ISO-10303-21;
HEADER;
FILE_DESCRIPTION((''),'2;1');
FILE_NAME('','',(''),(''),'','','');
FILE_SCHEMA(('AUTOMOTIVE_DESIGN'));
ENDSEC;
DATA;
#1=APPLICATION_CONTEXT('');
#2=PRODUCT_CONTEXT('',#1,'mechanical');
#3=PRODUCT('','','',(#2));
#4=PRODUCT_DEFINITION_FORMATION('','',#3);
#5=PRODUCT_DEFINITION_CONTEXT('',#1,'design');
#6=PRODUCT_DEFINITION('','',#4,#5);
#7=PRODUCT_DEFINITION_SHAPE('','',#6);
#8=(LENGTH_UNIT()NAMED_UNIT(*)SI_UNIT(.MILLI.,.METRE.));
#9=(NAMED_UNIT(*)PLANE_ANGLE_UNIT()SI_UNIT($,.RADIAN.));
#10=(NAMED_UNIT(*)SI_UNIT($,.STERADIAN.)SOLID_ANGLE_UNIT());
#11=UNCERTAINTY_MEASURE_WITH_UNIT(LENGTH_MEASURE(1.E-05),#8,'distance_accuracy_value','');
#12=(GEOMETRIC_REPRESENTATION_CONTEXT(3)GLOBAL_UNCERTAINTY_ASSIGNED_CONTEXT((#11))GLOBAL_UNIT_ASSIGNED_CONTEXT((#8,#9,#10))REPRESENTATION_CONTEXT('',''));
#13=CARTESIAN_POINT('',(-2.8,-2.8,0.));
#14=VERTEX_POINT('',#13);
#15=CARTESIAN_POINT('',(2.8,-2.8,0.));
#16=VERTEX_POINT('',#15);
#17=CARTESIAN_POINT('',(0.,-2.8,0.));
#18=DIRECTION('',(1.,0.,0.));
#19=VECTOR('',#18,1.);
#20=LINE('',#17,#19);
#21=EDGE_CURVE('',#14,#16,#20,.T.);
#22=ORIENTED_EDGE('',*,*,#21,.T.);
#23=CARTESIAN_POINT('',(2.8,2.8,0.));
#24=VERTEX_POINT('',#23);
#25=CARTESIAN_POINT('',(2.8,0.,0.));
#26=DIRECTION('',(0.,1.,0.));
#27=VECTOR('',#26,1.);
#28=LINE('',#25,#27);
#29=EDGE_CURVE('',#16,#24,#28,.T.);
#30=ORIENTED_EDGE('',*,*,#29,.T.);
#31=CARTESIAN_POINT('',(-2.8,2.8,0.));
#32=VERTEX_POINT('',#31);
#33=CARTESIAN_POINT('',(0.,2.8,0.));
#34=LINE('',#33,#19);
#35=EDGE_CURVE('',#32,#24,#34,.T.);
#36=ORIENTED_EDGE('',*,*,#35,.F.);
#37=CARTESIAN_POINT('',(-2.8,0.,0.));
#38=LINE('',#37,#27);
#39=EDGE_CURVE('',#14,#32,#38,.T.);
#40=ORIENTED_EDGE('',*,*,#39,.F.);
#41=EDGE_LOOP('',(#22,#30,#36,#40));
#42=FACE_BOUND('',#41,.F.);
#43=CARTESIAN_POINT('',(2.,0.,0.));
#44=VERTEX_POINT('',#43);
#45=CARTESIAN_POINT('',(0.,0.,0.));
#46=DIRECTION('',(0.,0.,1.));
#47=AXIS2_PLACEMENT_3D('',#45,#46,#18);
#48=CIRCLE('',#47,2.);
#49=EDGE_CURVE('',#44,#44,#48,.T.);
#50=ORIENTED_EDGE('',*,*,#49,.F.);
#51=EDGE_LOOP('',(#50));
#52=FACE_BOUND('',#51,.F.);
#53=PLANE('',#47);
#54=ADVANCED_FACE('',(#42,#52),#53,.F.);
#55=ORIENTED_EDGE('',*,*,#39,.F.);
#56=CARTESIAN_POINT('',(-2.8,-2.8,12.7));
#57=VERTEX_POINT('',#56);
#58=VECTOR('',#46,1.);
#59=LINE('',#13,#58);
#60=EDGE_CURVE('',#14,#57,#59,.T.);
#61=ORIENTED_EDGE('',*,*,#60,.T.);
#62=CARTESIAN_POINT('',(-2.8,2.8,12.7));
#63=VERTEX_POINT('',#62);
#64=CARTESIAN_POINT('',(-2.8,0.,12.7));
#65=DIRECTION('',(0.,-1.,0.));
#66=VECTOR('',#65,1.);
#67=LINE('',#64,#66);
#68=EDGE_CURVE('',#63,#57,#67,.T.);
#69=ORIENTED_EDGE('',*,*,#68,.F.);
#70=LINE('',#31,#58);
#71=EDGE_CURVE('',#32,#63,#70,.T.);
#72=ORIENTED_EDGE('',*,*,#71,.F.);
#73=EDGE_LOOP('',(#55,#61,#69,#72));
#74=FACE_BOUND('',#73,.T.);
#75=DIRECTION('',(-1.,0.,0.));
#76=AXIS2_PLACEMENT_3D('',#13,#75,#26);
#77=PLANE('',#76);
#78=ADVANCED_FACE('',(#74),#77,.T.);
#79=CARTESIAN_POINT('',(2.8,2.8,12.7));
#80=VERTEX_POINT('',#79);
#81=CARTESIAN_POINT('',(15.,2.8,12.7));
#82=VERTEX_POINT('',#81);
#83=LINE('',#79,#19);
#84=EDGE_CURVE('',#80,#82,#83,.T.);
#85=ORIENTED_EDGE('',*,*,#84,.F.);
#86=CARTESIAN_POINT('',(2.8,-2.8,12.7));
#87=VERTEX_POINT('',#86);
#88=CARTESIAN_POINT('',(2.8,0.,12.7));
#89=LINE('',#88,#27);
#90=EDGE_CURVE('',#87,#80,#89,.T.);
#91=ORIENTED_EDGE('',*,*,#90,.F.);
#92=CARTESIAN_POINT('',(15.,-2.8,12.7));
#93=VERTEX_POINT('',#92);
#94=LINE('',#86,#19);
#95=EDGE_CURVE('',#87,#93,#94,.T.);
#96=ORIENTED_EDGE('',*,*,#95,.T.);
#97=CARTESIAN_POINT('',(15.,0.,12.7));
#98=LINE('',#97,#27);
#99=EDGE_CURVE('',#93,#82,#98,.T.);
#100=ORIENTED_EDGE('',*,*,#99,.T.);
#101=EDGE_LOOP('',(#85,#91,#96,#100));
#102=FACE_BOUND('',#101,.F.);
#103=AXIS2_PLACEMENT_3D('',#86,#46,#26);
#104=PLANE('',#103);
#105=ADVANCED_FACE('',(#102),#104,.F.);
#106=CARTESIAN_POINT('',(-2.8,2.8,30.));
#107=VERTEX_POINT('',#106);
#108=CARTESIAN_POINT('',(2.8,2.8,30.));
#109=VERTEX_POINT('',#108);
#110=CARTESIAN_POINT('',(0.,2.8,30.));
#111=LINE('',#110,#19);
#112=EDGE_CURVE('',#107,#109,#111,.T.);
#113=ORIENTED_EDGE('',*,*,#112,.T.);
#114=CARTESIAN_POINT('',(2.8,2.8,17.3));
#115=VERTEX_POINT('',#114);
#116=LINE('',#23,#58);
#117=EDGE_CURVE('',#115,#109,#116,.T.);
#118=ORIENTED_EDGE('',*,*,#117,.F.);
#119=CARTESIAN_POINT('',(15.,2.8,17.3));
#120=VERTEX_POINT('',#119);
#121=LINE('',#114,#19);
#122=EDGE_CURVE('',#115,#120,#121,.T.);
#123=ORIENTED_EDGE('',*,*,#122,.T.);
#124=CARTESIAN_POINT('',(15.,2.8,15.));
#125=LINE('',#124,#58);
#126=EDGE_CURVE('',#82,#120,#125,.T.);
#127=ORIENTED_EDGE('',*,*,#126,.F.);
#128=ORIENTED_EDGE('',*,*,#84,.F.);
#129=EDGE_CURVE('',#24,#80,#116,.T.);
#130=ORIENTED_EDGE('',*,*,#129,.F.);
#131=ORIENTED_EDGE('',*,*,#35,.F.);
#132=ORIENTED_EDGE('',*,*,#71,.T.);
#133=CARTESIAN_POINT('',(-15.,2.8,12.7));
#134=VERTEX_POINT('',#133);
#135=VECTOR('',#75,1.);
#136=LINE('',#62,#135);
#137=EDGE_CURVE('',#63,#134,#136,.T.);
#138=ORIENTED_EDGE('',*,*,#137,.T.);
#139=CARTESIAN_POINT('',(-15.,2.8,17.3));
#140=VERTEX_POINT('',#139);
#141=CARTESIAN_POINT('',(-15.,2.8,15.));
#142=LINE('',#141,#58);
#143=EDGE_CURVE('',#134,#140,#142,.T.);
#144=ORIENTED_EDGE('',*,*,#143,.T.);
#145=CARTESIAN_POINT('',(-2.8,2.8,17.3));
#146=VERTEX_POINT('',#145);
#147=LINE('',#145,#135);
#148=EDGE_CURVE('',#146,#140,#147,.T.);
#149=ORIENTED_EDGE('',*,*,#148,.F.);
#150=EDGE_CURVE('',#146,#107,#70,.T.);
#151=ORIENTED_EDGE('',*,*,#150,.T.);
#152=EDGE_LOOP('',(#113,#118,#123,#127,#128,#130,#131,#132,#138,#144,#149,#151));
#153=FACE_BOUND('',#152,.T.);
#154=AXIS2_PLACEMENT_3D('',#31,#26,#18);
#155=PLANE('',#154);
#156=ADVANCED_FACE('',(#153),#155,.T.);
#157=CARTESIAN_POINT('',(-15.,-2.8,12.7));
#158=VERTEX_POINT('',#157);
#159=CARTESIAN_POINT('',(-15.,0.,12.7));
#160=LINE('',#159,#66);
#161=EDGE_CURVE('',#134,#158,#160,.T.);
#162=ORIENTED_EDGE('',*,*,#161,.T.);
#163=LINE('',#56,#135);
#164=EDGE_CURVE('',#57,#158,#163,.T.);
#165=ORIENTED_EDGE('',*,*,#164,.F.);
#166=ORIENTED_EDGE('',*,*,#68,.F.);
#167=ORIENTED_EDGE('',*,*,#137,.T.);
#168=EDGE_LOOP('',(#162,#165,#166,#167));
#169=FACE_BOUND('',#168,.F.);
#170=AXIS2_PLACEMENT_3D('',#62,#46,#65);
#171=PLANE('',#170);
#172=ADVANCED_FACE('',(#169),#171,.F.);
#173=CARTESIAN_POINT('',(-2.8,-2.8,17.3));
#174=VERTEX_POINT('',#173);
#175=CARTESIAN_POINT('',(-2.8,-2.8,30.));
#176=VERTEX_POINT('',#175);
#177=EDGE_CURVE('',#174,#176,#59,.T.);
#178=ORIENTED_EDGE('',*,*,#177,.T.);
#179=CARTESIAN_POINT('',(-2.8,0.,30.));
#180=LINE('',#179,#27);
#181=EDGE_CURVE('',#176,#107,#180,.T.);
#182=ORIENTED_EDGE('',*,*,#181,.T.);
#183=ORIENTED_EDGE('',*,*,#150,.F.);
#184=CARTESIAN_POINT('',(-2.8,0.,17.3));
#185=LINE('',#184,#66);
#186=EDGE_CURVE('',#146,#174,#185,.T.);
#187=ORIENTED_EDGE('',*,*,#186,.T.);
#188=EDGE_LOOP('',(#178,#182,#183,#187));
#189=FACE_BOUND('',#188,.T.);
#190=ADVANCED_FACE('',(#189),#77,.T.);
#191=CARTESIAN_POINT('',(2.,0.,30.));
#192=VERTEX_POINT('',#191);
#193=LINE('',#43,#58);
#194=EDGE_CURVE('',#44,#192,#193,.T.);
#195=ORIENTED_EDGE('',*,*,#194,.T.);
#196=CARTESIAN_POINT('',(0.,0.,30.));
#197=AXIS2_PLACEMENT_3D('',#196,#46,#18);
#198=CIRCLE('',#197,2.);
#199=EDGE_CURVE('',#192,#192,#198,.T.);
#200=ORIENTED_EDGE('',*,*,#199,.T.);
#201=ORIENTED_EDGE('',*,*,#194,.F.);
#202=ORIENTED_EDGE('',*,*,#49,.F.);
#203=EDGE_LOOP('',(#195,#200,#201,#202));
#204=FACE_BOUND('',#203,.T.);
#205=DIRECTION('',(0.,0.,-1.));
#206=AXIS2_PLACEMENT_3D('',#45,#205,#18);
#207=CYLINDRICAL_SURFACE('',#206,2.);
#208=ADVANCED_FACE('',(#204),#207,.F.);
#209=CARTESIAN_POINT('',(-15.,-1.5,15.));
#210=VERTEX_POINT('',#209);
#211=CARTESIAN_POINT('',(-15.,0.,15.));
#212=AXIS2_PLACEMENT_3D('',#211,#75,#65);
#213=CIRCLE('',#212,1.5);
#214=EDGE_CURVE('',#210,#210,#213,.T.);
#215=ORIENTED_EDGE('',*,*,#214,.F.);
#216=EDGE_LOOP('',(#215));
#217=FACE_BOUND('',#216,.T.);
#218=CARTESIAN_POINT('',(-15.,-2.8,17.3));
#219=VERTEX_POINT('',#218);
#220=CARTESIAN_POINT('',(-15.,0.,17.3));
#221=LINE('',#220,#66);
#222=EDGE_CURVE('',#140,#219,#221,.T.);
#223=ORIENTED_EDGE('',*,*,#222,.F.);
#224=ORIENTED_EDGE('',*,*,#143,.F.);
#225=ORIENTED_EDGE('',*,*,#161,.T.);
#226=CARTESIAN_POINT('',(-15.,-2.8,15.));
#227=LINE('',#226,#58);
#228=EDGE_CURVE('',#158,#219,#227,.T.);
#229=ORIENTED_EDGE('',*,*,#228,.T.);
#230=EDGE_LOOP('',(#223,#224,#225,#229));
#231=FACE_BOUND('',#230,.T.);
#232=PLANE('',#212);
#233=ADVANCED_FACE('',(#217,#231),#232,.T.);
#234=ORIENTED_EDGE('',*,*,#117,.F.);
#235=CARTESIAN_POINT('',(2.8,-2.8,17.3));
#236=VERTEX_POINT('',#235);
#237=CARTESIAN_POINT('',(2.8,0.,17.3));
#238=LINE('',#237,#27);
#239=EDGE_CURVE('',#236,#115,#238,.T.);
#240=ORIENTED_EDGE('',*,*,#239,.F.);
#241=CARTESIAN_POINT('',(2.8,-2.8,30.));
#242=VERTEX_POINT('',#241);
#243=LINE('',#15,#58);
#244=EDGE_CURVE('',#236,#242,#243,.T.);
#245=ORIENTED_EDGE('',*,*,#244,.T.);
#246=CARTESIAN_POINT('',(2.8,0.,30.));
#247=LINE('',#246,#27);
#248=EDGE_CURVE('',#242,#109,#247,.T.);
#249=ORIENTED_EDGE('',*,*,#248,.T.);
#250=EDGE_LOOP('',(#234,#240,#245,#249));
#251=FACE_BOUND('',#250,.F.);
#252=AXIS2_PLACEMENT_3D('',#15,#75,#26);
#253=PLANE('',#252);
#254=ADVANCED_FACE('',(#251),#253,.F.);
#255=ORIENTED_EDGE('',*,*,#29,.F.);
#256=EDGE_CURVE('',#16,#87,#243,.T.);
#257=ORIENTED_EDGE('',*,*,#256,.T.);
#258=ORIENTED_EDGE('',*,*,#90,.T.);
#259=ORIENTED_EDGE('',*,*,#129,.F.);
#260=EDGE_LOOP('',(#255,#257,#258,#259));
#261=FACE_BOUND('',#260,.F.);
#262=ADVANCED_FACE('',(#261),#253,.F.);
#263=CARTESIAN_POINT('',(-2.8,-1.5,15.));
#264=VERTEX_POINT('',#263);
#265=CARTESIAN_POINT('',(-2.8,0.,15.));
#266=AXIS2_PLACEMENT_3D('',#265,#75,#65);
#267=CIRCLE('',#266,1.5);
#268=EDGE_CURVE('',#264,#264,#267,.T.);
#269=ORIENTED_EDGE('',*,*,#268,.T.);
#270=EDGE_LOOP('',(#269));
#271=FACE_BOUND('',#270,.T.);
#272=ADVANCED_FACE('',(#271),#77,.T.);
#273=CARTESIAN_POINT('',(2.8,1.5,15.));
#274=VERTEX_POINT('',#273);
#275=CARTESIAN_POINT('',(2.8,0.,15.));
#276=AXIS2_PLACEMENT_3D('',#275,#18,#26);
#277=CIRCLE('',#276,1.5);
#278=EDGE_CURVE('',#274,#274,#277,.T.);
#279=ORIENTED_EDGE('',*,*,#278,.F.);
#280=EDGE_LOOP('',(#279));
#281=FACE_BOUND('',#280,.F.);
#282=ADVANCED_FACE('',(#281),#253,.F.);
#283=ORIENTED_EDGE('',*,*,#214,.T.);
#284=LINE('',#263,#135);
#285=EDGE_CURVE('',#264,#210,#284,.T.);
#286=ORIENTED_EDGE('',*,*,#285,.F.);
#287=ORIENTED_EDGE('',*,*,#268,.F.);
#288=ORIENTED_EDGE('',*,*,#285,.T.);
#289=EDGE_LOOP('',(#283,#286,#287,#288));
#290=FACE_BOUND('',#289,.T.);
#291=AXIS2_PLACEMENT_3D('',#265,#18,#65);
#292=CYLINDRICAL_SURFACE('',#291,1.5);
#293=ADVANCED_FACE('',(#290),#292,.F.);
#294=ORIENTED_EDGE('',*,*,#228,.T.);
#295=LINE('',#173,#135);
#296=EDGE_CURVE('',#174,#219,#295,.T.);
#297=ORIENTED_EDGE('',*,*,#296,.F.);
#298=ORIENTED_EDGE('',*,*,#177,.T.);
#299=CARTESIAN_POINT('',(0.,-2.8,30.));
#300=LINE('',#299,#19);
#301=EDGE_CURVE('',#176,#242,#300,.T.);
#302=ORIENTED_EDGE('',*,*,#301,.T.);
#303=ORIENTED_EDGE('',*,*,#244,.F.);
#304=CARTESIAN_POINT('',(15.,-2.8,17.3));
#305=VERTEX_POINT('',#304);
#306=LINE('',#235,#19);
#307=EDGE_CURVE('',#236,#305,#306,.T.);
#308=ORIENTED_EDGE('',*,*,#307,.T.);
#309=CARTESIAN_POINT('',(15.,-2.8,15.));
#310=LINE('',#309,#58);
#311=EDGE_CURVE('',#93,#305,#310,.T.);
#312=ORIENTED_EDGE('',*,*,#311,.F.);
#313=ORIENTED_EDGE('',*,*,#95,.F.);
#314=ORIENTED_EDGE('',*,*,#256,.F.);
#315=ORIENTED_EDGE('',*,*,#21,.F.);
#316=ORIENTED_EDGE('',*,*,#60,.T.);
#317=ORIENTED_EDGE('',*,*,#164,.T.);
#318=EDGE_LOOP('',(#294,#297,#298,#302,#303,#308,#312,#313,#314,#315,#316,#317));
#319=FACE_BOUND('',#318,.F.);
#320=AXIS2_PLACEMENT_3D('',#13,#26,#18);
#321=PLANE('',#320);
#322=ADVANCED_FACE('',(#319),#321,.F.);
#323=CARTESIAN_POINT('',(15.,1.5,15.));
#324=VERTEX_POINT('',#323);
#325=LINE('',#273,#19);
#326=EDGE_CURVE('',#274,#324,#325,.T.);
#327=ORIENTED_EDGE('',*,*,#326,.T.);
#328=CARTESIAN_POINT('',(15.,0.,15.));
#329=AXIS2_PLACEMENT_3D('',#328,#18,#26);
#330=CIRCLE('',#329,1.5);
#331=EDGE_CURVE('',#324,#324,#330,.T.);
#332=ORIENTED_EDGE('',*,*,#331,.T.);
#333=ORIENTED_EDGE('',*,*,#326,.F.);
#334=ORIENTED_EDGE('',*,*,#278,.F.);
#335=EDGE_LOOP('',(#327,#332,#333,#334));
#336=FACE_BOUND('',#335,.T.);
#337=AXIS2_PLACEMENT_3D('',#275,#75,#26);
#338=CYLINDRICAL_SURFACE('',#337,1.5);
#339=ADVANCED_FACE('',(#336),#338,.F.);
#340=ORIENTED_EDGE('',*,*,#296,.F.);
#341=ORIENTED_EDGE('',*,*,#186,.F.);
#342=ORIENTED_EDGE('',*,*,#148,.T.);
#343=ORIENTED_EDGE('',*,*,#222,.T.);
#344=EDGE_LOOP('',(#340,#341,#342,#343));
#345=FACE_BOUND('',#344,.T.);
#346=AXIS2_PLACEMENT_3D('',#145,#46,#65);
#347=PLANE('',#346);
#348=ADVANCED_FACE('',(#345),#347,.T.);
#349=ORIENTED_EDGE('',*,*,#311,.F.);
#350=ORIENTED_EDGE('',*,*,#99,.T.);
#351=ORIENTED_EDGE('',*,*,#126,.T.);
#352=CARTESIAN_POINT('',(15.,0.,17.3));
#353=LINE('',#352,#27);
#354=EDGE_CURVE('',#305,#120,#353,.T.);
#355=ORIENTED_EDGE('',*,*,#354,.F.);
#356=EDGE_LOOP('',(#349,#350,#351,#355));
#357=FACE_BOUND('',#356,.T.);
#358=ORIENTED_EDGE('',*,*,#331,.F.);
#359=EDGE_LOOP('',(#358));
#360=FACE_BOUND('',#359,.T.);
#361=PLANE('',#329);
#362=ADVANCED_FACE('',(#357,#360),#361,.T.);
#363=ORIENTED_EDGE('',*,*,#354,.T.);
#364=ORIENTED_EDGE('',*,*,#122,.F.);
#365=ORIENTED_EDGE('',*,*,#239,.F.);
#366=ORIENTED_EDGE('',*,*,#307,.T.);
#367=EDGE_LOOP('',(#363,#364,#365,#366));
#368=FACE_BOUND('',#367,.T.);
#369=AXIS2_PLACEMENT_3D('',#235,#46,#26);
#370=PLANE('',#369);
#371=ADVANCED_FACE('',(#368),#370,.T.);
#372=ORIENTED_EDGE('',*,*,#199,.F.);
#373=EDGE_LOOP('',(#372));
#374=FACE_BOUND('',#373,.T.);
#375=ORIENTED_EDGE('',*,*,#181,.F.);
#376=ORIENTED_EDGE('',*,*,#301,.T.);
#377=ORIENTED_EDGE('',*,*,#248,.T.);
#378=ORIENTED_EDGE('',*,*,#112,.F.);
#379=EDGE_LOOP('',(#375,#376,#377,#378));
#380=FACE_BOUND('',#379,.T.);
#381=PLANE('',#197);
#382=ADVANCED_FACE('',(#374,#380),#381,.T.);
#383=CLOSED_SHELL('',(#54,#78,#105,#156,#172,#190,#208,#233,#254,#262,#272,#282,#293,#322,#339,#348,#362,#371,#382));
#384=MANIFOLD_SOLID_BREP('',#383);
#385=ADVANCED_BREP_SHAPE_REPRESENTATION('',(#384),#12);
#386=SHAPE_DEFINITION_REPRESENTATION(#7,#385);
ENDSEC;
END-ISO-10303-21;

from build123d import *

# Parameters (mm, degrees)
F0_W     = 5.6
F0_H     = 5.6
F0_R     = 2
F1_DEPTH = 30
F2_W     = 5.6
F2_H     = 4.6
F2_R     = 1.5
F3_DEPTH = 12.2
F4_W     = 5.6
F4_H     = 4.6
F4_R     = 1.5
F5_DEPTH = 12.2


with BuildPart() as f1:
    # F0 (on Top) → F1 (new body)
    with BuildSketch(Plane.XY):
        Rectangle(F0_W, F0_H)
        Circle(F0_R, mode=Mode.SUBTRACT)
    extrude(amount=F1_DEPTH)

    # F2 (on face) → F3 (join)
    with BuildSketch(Plane.YZ.offset(2.8)):
        with Locations((0, 15)):
            Rectangle(F2_W, F2_H)
        with Locations((0, 15)):
            Circle(F2_R, mode=Mode.SUBTRACT)
    extrude(amount=F3_DEPTH)

    # F4 (on face) → F5 (join)
    with BuildSketch(Plane(origin=(-2.8, 0, 0), x_dir=(0, -1, 0), z_dir=(-1, 0, 0))):
        with Locations((0, 15)):
            Rectangle(F4_W, F4_H)
        with Locations((0, 15)):
            Circle(F4_R, mode=Mode.SUBTRACT)
    extrude(amount=F5_DEPTH)


solid = f1.part
